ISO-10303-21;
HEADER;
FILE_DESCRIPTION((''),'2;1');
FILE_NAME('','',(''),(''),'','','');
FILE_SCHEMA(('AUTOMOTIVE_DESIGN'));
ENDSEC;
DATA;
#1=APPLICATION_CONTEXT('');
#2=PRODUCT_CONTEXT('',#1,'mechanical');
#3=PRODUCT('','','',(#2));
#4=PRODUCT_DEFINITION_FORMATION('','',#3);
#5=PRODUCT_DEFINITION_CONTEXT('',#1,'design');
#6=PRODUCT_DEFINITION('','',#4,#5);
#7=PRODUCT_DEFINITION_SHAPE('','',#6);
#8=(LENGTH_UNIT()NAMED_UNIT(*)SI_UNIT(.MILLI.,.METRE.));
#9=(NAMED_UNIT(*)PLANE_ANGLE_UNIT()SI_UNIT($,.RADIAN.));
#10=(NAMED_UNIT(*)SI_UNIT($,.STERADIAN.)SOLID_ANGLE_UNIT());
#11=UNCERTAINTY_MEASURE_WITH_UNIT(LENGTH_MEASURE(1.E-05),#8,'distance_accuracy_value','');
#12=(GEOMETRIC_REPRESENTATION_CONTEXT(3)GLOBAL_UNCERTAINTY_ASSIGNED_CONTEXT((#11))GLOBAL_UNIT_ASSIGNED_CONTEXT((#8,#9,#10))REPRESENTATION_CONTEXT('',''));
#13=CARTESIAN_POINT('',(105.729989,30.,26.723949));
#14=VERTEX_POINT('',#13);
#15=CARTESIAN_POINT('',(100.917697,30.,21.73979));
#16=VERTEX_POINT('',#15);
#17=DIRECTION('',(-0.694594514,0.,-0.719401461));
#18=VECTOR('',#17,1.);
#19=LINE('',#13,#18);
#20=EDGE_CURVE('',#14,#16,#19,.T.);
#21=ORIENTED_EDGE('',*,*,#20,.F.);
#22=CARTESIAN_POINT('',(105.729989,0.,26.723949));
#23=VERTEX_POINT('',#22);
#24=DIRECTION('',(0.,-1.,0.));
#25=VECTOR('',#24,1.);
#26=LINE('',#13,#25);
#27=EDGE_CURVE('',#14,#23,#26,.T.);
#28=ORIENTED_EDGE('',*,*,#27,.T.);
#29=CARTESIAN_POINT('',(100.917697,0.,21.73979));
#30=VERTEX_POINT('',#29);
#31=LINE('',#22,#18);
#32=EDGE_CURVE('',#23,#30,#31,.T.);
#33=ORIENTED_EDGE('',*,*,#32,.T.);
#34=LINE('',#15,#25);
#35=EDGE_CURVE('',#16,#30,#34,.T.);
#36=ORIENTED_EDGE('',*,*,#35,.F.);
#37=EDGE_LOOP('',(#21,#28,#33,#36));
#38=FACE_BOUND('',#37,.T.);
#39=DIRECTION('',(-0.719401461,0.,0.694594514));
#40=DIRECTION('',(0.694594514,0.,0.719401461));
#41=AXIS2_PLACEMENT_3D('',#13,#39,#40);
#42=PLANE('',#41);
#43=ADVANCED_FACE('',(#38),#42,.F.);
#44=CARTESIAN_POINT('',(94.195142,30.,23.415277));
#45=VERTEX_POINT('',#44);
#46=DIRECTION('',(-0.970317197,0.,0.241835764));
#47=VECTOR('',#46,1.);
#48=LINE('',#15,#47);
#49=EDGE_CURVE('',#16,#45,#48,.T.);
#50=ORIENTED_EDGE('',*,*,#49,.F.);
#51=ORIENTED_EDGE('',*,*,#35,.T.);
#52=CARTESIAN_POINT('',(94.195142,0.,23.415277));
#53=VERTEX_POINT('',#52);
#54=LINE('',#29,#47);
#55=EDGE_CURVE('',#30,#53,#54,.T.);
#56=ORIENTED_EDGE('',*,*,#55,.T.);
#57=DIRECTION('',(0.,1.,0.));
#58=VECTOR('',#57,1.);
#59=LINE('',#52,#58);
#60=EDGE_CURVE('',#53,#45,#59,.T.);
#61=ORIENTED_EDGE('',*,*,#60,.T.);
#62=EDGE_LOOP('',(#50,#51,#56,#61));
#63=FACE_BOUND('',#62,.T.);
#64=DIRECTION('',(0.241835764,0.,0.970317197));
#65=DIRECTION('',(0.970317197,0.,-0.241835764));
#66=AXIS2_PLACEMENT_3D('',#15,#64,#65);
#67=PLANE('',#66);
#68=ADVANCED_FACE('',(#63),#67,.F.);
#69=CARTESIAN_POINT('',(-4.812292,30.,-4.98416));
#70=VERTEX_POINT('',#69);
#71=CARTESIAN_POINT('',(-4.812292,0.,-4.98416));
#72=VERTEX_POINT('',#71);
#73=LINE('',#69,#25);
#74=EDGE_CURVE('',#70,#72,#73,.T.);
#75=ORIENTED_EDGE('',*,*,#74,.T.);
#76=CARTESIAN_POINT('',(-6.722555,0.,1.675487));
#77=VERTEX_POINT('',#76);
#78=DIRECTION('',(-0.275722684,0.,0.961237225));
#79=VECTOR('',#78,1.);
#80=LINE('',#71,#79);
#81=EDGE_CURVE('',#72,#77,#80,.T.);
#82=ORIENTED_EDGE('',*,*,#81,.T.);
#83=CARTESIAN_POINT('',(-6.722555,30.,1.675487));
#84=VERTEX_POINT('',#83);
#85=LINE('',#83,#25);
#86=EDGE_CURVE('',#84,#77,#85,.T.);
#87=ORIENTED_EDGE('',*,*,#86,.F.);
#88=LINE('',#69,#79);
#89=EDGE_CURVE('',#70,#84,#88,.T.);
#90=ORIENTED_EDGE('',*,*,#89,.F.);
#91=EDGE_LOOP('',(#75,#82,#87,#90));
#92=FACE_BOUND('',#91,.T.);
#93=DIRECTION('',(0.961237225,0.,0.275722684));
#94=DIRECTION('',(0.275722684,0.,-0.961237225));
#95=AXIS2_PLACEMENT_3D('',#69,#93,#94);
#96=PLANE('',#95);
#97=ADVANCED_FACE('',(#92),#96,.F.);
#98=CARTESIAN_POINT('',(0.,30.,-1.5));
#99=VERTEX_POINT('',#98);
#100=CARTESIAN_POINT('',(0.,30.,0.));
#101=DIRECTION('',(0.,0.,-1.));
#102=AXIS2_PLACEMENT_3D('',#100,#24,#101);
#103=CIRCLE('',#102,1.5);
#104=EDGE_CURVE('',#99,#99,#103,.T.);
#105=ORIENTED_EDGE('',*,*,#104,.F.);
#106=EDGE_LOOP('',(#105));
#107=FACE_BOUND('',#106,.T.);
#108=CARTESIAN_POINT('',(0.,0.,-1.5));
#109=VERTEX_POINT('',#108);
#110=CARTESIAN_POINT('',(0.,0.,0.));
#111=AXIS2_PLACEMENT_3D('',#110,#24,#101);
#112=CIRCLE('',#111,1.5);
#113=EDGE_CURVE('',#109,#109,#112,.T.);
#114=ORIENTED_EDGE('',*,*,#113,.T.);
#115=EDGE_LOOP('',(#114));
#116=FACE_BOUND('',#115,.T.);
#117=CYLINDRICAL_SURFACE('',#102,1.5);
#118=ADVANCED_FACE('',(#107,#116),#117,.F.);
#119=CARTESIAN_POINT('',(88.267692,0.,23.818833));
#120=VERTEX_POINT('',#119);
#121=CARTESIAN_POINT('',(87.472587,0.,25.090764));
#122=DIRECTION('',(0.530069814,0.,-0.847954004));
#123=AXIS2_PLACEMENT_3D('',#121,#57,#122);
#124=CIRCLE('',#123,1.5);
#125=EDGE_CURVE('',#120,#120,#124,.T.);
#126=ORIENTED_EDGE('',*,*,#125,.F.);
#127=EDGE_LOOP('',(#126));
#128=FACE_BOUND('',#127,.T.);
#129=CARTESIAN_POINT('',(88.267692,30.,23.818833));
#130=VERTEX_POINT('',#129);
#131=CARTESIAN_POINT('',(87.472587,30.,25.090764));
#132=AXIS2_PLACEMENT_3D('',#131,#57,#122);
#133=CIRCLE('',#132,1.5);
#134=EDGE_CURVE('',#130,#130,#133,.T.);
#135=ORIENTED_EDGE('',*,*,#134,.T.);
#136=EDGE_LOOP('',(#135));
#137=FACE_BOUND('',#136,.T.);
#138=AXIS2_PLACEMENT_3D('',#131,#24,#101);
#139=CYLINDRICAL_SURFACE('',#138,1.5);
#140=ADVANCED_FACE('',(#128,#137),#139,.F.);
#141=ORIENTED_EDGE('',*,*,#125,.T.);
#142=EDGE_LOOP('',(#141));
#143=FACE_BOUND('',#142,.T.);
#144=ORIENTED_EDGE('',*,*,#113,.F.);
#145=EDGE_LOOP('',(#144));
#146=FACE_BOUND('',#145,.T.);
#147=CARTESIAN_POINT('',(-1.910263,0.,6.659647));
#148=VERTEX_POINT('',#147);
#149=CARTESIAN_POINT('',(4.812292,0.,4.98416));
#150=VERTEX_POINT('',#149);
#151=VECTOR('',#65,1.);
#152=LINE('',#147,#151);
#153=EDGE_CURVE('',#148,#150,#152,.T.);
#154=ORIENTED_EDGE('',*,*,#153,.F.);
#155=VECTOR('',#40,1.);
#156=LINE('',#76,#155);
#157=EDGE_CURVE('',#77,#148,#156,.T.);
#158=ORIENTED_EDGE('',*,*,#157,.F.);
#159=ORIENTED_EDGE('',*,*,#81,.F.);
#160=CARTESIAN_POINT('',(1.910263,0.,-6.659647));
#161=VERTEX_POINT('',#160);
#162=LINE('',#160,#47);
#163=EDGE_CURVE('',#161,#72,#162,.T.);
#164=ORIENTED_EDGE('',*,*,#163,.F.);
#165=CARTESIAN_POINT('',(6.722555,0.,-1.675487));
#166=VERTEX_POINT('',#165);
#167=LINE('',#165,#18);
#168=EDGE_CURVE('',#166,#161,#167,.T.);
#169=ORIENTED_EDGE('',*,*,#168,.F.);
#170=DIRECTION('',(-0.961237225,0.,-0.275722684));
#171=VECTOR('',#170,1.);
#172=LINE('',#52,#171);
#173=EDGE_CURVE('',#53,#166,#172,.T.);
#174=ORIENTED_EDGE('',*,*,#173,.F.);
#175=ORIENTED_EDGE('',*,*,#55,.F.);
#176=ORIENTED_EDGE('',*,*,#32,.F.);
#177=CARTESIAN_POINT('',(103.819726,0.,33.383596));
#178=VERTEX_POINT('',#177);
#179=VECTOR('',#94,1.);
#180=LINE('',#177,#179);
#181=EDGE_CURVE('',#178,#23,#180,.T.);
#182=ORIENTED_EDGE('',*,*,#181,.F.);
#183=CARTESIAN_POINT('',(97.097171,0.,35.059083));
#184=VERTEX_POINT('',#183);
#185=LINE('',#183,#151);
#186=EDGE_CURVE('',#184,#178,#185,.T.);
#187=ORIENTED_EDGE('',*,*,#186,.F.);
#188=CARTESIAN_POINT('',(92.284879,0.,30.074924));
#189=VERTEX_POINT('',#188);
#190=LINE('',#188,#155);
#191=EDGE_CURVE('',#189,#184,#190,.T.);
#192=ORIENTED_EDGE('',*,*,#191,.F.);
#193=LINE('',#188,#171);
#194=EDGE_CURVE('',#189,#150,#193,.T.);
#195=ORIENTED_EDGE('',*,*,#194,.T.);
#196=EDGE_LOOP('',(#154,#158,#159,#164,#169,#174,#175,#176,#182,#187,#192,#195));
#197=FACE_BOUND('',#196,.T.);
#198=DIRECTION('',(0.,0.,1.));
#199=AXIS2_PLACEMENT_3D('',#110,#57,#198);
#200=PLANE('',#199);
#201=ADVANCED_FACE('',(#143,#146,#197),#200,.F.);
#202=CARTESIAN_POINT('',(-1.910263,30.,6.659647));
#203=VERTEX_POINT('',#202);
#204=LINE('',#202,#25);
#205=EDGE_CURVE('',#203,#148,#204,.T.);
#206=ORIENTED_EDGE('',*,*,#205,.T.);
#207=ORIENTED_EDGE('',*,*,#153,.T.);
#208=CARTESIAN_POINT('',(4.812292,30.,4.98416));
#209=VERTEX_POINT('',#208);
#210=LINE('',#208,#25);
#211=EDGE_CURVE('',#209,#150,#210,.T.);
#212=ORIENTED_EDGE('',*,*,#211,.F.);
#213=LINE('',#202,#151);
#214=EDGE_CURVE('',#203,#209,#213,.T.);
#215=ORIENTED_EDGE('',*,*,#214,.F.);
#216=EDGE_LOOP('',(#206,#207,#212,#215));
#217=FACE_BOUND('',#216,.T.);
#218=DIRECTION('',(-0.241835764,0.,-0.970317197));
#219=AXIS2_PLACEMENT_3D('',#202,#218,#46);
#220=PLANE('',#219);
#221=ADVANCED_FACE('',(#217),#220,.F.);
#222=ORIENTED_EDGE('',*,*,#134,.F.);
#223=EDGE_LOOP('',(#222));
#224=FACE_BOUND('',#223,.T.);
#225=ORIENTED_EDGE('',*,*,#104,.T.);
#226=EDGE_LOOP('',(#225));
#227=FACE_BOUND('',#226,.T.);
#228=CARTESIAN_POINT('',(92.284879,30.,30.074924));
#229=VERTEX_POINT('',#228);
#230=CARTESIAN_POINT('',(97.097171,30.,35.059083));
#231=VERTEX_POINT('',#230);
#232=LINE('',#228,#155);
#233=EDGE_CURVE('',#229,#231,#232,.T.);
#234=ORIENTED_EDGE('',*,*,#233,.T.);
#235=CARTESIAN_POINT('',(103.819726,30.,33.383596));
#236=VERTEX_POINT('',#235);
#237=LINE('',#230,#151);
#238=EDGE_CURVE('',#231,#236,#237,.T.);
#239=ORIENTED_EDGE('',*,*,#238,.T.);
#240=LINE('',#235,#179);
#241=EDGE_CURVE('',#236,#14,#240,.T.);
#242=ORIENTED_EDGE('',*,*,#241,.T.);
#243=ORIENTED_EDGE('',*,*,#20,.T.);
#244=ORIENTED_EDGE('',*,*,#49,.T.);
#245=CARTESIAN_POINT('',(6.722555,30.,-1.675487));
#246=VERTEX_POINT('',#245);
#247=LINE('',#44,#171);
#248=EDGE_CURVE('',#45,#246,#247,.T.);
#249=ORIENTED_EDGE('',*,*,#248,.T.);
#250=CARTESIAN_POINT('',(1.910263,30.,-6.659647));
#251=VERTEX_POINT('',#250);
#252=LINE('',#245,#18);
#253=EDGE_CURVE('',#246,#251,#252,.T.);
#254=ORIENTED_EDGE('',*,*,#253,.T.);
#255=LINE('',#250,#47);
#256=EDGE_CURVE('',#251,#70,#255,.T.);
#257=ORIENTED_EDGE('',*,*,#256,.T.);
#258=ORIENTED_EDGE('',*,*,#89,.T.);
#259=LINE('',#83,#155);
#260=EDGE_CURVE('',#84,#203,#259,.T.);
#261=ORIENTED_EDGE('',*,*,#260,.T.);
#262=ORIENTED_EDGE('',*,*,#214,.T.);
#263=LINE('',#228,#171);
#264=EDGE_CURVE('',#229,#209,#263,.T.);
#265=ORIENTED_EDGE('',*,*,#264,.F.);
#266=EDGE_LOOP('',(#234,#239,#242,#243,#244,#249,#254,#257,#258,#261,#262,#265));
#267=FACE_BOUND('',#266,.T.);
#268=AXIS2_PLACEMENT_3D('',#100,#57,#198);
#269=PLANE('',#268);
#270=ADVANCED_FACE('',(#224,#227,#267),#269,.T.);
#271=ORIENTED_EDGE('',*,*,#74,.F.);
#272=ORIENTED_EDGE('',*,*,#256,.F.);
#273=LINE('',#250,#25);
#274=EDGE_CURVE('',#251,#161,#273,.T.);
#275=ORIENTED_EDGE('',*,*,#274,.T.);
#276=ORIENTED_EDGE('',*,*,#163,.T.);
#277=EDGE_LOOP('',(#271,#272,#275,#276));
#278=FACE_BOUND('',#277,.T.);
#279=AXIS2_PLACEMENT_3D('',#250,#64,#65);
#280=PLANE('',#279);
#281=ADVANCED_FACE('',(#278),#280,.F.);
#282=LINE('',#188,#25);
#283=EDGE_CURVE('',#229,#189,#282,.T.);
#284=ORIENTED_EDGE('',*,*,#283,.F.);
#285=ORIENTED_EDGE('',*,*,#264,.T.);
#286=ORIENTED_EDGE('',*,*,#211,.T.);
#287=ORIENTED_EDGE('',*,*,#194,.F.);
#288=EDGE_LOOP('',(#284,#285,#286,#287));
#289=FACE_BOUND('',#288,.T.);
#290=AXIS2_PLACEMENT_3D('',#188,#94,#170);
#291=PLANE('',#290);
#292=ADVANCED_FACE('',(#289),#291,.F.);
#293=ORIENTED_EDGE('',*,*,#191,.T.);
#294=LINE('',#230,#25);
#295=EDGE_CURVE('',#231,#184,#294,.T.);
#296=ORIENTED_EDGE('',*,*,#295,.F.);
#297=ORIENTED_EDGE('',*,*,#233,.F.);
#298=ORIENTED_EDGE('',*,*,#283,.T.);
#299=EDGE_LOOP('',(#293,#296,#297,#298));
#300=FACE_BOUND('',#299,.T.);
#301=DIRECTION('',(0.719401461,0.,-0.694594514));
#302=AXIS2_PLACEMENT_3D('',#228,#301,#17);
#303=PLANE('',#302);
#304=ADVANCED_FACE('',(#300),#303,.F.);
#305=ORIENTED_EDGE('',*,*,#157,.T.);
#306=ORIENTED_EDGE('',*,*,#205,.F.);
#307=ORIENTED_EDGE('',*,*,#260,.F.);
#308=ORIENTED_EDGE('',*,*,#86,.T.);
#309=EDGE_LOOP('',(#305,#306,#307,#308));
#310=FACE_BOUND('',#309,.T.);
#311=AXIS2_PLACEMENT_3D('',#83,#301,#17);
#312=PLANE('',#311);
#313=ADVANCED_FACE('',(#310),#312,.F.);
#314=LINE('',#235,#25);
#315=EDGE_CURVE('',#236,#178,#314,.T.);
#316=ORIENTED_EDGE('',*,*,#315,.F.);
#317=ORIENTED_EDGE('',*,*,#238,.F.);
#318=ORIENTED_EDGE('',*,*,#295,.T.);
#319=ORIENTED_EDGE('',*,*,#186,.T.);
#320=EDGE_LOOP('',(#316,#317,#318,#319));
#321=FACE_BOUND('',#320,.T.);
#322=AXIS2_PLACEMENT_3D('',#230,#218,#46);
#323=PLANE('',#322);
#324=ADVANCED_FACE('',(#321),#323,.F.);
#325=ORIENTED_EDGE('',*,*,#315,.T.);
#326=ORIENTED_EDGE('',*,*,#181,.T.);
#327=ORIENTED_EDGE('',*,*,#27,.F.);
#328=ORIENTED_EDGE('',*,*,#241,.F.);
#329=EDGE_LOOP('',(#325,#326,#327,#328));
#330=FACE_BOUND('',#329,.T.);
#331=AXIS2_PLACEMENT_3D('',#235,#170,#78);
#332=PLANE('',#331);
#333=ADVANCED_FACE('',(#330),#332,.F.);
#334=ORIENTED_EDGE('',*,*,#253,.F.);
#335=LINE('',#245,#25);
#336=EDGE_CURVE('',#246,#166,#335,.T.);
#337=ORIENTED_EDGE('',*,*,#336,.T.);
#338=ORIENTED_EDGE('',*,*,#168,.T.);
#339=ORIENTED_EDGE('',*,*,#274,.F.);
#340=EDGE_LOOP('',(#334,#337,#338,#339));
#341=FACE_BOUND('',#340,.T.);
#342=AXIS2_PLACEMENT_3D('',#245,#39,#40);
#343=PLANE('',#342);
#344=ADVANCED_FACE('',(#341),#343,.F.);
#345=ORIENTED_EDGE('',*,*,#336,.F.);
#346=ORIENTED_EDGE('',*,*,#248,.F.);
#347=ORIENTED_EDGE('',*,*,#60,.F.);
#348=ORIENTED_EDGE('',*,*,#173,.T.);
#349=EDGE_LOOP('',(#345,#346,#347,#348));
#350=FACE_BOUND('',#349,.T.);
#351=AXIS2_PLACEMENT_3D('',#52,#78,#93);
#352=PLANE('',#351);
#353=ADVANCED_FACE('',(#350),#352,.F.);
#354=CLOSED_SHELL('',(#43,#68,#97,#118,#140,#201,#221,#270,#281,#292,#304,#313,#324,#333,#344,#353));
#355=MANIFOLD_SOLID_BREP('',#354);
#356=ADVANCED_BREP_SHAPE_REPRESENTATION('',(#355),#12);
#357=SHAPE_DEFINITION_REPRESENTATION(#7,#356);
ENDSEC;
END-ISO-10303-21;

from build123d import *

# Parameters (mm, degrees)
RESSALTO_EXTRUS_O1_DEPTH = 30
ESBO_O2_R                = 1.5
CORTE_EXTRUS_O1_DEPTH    = 30
ESBO_O4_W                = 6.92820323
ESBO_O4_H                = 30
RESSALTO_EXTRUS_O2_DEPTH = 91
RESSALTO_EXTRUS_O3_DEPTH = 30


with BuildPart() as part:
    # Esboço1 → Ressalto-extrusão1 (new body)
    with BuildSketch(Plane(origin=(0, 0, 0), x_dir=(1, 0, 0), z_dir=(0, 1, 0))):
        Polygon((4.812291954, -4.984159523), (6.72255474, 1.675487321), (1.910262787, 6.659646844), (-4.812291954, 4.984159523), (-6.72255474, -1.675487321), (-1.910262787, -6.659646844), align=None)
    extrude(amount=RESSALTO_EXTRUS_O1_DEPTH)

    # Esboço2 → Corte-extrusão1 (cut)
    with BuildSketch(Plane.XZ):
        with Locations(Location((0, 0, 0), (0, 0, 270))):
            Circle(ESBO_O2_R)
    corte_extrus_o1 = extrude(amount=-CORTE_EXTRUS_O1_DEPTH, mode=Mode.SUBTRACT)

    # Esboço4 → Ressalto-extrusão2 (add)
    with BuildSketch(Plane(origin=(5.767423347, 0, 1.654336101), x_dir=(0.27572268356451307, 0, -0.961237224501831), z_dir=(0.961237224501831, 0, 0.27572268356451307))):
        with Locations((0, 15)):
            Rectangle(ESBO_O4_W, ESBO_O4_H)
    extrude(amount=RESSALTO_EXTRUS_O2_DEPTH)

    # Esboço5 → Ressalto-extrusão3 (add, through all)
    with BuildSketch(Plane(origin=(0, 0, 0), x_dir=(1, 0, 0), z_dir=(0, 1, 0))):
        Polygon((105.729988864, -26.723949087), (100.917696911, -21.739789563), (94.19514217, -23.415276884), (92.284879383, -30.074923728), (97.097171337, -35.059083251), (103.819726077, -33.38359593), align=None)
    extrude(amount=RESSALTO_EXTRUS_O3_DEPTH)

    # Espelhar1: Corte-extrusão1 across plane
    add(corte_extrus_o1.mirror(Plane(origin=(43.736293715, 0, 12.545382102), x_dir=(-0.2757226835645132, 0, 0.9612372245018309), z_dir=(-0.961237224501831, 0, -0.2757226835645132))), mode=Mode.SUBTRACT)


solid = part.part
